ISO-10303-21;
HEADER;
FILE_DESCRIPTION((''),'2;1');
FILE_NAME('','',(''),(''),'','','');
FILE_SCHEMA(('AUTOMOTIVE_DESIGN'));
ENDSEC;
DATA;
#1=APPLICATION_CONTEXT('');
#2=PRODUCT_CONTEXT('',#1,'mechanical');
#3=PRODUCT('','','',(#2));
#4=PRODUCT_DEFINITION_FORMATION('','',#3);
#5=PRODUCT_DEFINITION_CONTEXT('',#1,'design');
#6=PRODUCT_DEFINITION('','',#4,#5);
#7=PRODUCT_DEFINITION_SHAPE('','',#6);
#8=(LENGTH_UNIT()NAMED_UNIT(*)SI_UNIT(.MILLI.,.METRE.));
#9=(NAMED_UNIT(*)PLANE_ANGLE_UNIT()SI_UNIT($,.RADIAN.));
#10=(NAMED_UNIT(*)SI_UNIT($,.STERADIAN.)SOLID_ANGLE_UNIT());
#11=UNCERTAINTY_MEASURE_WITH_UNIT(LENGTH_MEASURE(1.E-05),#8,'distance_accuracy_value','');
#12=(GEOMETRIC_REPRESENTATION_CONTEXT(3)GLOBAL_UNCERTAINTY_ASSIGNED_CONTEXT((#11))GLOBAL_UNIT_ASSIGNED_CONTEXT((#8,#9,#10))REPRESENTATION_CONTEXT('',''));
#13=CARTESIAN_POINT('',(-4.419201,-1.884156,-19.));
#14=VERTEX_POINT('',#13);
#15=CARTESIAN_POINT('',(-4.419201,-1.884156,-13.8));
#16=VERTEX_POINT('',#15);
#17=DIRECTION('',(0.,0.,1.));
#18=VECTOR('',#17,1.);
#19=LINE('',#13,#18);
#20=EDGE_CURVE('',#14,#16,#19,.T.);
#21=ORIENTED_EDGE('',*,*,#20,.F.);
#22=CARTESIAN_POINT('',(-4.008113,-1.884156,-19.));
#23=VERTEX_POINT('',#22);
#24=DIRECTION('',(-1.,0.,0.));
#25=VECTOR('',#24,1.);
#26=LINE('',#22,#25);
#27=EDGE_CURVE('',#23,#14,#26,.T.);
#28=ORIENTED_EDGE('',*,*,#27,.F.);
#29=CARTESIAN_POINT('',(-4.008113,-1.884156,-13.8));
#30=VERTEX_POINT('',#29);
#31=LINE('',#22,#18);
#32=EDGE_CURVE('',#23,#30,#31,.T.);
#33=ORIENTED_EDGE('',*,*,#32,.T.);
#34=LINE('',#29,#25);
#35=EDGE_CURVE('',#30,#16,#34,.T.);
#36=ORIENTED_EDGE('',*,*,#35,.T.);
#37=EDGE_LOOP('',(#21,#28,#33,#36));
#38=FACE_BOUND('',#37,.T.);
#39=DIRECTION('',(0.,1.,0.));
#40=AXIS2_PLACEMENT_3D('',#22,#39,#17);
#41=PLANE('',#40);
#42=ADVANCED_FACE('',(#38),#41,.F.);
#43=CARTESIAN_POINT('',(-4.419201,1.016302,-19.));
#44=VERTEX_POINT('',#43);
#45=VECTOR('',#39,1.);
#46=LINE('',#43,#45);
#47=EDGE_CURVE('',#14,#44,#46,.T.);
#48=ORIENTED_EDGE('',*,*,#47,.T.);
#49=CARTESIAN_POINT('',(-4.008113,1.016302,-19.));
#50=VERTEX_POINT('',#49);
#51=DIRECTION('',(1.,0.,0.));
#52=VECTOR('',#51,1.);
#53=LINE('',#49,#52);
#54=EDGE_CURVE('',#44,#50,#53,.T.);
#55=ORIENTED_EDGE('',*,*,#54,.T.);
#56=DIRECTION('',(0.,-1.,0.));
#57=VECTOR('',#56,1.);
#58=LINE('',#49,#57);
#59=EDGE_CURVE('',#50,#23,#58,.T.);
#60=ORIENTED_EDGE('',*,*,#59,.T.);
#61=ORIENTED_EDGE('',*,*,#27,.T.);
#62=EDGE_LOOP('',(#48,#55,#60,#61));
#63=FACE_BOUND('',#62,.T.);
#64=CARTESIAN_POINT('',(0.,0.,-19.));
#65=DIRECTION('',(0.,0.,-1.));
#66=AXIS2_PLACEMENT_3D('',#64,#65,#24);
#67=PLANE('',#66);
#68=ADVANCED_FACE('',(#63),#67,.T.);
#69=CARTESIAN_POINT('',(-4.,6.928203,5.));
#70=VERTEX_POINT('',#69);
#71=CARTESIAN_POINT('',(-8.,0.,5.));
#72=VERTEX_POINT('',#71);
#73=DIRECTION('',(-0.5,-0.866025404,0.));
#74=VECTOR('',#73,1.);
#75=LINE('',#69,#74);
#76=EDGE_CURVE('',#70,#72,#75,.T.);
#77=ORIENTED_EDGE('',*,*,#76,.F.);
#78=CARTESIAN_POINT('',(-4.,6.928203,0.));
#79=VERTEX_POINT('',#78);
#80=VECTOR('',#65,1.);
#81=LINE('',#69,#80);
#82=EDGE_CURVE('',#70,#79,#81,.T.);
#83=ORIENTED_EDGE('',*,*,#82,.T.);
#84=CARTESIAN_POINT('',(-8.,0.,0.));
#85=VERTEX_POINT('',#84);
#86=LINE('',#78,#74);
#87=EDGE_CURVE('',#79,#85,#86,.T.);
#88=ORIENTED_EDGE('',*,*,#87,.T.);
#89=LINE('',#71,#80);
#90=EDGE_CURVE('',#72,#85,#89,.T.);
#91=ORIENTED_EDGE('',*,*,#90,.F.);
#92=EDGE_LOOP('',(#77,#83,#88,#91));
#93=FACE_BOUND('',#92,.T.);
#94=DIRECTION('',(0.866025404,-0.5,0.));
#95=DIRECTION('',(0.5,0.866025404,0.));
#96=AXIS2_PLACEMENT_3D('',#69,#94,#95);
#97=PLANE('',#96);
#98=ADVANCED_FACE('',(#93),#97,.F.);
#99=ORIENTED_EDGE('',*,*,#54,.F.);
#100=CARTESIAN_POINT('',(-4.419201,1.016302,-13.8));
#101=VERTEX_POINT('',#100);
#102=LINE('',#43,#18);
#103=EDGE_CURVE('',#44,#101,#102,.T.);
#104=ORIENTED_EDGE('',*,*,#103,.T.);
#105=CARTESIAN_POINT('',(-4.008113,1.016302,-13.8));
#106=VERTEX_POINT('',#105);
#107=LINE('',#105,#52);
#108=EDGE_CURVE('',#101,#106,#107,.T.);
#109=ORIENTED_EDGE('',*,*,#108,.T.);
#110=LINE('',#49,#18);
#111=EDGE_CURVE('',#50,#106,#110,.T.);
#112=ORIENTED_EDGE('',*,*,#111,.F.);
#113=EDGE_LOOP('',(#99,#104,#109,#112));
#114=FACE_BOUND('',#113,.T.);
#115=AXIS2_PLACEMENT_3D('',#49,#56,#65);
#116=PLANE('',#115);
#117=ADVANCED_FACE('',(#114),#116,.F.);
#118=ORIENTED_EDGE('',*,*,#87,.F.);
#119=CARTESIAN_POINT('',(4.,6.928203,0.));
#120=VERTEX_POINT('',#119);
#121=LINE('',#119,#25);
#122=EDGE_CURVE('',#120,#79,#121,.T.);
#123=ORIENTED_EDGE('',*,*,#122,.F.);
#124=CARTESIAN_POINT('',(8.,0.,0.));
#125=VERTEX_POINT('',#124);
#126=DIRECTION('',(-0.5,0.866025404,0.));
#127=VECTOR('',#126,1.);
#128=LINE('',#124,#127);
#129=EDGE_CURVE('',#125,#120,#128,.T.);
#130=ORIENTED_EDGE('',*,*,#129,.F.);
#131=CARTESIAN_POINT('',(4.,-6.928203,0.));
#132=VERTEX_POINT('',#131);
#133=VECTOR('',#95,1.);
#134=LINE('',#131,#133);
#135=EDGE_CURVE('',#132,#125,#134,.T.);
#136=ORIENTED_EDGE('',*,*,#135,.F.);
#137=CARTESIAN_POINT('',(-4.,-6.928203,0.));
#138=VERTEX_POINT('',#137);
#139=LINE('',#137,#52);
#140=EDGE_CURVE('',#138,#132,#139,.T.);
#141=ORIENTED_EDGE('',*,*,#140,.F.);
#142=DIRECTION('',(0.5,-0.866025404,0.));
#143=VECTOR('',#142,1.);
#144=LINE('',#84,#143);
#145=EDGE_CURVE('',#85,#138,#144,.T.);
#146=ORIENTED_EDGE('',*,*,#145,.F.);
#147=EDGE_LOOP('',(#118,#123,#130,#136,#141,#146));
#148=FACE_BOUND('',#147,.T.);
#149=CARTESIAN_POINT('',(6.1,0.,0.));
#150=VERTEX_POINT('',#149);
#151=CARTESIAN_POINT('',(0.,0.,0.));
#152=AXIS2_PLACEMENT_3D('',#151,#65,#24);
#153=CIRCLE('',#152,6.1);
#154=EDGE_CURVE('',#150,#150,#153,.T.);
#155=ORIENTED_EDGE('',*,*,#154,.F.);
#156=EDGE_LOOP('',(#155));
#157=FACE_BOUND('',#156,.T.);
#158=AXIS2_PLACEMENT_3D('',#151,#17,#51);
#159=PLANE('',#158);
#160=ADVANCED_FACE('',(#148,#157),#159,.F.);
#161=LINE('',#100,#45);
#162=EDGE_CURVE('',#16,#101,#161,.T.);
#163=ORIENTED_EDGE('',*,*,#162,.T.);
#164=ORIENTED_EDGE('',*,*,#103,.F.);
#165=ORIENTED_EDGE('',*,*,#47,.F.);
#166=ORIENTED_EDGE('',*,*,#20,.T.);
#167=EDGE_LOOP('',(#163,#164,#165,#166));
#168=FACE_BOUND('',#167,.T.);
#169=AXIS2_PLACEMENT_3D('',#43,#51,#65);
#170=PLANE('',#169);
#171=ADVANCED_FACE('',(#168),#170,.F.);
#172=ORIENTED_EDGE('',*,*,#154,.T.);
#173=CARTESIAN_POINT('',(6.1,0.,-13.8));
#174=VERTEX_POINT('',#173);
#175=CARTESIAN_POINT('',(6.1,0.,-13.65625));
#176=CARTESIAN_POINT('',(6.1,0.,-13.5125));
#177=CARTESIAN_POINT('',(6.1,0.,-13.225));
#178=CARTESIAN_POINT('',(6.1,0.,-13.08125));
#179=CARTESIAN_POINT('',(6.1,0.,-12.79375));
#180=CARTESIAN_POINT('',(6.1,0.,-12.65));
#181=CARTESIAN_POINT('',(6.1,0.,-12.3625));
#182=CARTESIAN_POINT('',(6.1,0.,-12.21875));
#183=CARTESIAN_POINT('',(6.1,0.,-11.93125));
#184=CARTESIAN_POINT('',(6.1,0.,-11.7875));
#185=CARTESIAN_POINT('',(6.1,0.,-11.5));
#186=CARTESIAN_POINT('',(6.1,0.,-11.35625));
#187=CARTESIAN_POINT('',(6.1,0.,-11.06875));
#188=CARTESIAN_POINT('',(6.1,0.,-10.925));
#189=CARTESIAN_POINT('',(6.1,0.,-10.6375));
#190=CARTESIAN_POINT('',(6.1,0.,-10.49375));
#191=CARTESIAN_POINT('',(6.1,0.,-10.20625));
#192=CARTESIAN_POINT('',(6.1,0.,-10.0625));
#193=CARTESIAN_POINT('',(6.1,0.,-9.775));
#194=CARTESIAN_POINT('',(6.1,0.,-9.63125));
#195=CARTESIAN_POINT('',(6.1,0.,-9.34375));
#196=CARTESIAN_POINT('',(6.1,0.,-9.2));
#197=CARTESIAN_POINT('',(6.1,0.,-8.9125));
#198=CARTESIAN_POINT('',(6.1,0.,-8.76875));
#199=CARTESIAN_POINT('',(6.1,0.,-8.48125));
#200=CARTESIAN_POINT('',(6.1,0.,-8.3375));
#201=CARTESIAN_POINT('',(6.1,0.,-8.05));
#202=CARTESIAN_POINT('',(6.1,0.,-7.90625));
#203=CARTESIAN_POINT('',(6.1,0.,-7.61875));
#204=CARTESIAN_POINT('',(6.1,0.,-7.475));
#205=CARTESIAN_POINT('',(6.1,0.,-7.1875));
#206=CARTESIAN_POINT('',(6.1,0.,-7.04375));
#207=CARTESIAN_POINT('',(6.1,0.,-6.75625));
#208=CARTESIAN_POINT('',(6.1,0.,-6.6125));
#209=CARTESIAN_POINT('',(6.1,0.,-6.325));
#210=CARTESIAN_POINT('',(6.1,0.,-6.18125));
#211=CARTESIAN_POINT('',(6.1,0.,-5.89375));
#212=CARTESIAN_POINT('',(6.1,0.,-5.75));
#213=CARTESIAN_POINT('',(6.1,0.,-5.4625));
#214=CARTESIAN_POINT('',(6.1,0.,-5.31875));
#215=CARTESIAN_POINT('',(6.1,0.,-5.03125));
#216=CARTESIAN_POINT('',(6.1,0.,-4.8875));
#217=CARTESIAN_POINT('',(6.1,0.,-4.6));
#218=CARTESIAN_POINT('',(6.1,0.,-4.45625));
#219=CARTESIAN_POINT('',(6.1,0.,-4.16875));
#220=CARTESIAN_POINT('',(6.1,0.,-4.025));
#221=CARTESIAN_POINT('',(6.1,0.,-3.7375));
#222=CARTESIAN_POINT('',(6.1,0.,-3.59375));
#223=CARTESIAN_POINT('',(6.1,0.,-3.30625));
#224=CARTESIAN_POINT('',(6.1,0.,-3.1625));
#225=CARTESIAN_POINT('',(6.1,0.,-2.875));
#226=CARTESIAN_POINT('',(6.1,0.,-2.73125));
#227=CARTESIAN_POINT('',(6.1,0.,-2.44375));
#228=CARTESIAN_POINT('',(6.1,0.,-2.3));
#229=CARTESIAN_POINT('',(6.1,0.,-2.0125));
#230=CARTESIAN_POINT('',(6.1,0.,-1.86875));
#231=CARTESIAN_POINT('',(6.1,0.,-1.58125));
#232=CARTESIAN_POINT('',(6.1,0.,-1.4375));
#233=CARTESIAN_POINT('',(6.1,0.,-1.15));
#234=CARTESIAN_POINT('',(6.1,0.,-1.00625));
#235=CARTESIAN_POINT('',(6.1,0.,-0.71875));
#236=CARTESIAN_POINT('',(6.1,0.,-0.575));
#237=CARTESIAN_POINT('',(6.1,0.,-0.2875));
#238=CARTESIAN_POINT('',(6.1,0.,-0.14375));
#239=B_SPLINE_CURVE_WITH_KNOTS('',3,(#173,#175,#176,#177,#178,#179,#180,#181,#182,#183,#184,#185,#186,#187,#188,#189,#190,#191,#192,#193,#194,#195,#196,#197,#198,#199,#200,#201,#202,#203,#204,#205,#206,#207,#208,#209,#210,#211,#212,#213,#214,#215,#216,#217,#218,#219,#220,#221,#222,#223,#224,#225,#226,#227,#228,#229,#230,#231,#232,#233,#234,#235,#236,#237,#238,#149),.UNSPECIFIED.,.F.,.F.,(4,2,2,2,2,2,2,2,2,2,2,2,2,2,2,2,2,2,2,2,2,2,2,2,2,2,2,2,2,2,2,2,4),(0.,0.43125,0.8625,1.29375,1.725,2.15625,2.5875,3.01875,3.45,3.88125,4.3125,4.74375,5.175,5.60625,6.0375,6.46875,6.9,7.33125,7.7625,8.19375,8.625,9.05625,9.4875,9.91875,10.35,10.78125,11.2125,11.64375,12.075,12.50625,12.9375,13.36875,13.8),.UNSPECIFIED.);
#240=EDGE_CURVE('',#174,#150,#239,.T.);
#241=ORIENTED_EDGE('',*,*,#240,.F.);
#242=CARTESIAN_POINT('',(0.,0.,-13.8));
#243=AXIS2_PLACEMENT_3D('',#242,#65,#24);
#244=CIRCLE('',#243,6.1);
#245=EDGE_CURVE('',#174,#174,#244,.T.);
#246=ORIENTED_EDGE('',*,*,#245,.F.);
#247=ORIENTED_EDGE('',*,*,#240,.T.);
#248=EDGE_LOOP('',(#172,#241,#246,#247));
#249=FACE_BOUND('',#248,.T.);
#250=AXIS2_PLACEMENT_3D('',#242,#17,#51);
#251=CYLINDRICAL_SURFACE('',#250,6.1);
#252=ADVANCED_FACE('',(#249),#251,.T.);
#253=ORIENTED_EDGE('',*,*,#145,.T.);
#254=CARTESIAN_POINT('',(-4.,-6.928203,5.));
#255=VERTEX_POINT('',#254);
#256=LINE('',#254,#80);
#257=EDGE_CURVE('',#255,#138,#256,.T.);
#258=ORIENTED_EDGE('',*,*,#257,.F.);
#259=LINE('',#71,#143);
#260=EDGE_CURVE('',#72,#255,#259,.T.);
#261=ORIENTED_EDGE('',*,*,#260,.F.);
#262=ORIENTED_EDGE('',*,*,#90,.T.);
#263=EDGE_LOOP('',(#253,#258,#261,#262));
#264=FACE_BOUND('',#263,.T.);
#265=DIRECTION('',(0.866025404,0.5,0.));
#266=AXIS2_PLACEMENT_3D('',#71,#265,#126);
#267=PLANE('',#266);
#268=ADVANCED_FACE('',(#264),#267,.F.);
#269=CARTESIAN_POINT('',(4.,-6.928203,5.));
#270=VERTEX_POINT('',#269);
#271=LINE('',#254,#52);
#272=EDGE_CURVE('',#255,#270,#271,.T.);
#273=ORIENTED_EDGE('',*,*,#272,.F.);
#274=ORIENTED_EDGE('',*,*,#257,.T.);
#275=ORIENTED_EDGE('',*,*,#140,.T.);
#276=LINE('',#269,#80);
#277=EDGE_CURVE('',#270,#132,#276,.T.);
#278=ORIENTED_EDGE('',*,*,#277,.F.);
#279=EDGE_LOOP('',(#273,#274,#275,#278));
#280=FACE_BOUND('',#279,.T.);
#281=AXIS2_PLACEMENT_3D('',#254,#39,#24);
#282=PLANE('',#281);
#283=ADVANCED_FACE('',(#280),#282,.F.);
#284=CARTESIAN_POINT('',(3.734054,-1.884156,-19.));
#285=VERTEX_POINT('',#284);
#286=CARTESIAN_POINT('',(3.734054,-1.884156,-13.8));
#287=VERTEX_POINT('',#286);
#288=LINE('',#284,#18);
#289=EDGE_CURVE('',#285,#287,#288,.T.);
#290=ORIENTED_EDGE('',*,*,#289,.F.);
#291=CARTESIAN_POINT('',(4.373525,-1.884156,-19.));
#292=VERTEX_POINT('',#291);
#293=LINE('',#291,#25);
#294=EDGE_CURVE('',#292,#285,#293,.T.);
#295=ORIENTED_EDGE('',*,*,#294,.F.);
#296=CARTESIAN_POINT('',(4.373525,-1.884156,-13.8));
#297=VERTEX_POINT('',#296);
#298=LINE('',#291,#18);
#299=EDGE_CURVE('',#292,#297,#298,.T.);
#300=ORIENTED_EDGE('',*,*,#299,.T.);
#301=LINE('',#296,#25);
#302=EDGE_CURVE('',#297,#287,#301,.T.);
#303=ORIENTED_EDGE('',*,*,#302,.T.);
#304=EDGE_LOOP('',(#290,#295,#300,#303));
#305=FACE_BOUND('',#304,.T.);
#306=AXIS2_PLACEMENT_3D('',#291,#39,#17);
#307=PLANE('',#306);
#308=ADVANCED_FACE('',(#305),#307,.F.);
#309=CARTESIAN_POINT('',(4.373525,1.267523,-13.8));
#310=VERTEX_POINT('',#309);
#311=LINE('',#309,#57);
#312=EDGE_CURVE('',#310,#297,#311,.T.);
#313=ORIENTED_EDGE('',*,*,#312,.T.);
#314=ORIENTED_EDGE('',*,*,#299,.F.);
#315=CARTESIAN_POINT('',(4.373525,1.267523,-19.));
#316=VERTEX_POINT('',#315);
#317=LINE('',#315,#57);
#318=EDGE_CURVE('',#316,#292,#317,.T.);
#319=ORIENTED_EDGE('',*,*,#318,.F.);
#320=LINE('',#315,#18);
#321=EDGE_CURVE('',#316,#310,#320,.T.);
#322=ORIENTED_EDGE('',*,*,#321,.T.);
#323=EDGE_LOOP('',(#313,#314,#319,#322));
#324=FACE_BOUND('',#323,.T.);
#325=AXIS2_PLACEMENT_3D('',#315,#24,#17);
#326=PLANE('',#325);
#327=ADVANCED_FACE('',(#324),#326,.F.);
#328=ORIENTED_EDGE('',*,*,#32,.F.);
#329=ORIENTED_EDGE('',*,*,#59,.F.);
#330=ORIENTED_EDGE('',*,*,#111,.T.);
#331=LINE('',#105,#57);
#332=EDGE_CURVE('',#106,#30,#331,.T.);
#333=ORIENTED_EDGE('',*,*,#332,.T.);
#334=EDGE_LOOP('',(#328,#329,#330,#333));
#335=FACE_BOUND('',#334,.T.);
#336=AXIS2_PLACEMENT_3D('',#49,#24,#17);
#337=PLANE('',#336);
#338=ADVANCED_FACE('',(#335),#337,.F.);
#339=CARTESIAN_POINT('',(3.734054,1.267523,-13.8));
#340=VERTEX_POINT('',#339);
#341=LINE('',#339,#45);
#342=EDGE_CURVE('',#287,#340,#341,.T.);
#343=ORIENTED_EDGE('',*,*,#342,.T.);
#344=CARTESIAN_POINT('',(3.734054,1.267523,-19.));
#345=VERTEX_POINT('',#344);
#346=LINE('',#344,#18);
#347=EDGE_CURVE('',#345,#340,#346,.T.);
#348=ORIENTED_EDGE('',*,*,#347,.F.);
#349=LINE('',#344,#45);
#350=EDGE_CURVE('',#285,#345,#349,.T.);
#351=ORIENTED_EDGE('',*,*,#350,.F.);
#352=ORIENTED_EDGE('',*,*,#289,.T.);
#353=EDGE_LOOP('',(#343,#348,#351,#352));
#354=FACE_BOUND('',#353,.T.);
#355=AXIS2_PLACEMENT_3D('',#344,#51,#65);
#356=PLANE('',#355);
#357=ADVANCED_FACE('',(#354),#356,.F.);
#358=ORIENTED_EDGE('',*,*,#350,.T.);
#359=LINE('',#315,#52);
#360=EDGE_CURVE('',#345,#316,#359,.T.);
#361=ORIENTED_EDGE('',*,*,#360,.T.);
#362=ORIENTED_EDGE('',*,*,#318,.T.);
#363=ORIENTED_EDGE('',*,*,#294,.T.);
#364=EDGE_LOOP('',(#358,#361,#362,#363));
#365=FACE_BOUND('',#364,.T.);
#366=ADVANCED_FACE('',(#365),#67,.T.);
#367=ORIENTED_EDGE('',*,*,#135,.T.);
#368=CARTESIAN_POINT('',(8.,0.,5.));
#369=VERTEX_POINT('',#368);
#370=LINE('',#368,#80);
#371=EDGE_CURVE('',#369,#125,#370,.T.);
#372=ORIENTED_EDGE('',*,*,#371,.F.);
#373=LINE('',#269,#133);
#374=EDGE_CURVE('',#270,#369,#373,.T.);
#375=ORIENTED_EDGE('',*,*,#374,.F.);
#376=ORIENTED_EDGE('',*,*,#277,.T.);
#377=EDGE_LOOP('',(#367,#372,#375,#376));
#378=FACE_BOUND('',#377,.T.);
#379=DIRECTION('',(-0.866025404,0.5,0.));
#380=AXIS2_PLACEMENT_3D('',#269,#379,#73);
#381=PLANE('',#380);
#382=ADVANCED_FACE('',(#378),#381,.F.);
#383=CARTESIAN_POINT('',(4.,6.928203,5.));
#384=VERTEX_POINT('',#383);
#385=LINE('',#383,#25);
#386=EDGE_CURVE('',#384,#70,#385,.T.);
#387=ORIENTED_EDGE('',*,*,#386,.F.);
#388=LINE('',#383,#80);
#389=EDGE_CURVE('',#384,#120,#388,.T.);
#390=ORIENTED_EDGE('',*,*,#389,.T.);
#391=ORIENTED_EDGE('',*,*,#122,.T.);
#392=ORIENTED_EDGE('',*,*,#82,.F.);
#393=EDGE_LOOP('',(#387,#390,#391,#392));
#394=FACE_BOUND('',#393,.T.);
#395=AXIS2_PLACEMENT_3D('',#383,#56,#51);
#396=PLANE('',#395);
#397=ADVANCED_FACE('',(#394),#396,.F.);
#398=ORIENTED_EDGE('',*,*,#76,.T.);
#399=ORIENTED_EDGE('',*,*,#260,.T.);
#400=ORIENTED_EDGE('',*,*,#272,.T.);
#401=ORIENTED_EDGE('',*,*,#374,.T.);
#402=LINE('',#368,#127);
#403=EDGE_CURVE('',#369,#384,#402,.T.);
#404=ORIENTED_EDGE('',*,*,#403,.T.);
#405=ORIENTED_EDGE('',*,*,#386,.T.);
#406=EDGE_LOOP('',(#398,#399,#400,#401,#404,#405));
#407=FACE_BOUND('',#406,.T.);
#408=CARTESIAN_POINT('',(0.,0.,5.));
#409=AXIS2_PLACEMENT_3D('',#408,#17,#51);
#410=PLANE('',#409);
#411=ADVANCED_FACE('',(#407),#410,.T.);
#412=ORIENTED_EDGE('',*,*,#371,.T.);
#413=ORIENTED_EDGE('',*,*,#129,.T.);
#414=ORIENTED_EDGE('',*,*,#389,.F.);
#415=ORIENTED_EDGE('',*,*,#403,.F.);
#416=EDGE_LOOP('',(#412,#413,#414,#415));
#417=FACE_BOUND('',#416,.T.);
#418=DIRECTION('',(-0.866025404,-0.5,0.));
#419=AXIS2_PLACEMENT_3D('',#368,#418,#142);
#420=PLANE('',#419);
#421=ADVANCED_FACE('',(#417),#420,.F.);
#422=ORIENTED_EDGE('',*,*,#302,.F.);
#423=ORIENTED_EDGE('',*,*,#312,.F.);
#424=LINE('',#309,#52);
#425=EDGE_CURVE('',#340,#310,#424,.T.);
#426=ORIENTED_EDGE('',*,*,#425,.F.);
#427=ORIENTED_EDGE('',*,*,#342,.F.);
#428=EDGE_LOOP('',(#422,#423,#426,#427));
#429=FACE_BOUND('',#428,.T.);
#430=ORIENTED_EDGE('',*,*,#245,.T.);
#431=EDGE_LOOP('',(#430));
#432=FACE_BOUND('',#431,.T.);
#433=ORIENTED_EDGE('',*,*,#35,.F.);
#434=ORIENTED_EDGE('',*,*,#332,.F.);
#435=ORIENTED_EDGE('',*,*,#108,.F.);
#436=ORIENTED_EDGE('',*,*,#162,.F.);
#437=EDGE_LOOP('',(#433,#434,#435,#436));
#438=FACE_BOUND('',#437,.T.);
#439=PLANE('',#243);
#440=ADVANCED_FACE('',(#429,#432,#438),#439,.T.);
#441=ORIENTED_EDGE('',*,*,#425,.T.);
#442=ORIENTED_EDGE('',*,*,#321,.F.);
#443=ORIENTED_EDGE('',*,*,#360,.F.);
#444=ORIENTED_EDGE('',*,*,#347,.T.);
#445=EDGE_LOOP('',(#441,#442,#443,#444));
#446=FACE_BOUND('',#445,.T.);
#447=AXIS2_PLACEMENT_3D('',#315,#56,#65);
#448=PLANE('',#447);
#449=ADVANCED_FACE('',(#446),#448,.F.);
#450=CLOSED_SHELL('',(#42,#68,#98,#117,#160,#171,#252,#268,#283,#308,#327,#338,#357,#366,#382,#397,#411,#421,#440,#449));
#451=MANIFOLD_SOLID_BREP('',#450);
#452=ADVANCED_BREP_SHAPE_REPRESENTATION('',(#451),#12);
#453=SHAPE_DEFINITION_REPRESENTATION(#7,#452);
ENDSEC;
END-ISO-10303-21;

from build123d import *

# Parameters (mm, degrees)
EXTRUDE_1_DEPTH = 5
SKETCH_2_R      = 6.1
EXTRUDE_2_DEPTH = 13.8
SKETCH_3_W      = 0.639470974
SKETCH_3_H      = 3.15167837
SKETCH_3_W_2    = 0.411088483
SKETCH_3_H_2    = 2.90045763
EXTRUDE_3_DEPTH = 5.2


with BuildPart() as part:
    # 草图1 → 凸台-拉伸1 (new body)
    with BuildSketch(Plane.XY):
        Polygon((8, 0), (4, 6.92820323), (-4, 6.92820323), (-8, 0), (-4, -6.92820323), (4, -6.92820323), align=None)
    extrude(amount=EXTRUDE_1_DEPTH)

    # 草图2 → 凸台-拉伸2 (add)
    with BuildSketch(Plane(origin=(0, 0, 0), x_dir=(-1, 0, 0), z_dir=(0, 0, -1))):
        with Locations(Location((0, 0, 0), (0, 0, 180))):
            Circle(SKETCH_2_R)
    extrude(amount=EXTRUDE_2_DEPTH)

    # 草图3 → 凸台-拉伸3 (add)
    with BuildSketch(Plane(origin=(0, 0, -13.8), x_dir=(-1, 0, 0), z_dir=(0, 0, -1))):
        with Locations((-4.053789208, -0.308316362)):
            Rectangle(SKETCH_3_W, SKETCH_3_H)
        with Locations((4.213656952, -0.433926732)):
            Rectangle(SKETCH_3_W_2, SKETCH_3_H_2)
    extrude(amount=EXTRUDE_3_DEPTH)


solid = part.part
